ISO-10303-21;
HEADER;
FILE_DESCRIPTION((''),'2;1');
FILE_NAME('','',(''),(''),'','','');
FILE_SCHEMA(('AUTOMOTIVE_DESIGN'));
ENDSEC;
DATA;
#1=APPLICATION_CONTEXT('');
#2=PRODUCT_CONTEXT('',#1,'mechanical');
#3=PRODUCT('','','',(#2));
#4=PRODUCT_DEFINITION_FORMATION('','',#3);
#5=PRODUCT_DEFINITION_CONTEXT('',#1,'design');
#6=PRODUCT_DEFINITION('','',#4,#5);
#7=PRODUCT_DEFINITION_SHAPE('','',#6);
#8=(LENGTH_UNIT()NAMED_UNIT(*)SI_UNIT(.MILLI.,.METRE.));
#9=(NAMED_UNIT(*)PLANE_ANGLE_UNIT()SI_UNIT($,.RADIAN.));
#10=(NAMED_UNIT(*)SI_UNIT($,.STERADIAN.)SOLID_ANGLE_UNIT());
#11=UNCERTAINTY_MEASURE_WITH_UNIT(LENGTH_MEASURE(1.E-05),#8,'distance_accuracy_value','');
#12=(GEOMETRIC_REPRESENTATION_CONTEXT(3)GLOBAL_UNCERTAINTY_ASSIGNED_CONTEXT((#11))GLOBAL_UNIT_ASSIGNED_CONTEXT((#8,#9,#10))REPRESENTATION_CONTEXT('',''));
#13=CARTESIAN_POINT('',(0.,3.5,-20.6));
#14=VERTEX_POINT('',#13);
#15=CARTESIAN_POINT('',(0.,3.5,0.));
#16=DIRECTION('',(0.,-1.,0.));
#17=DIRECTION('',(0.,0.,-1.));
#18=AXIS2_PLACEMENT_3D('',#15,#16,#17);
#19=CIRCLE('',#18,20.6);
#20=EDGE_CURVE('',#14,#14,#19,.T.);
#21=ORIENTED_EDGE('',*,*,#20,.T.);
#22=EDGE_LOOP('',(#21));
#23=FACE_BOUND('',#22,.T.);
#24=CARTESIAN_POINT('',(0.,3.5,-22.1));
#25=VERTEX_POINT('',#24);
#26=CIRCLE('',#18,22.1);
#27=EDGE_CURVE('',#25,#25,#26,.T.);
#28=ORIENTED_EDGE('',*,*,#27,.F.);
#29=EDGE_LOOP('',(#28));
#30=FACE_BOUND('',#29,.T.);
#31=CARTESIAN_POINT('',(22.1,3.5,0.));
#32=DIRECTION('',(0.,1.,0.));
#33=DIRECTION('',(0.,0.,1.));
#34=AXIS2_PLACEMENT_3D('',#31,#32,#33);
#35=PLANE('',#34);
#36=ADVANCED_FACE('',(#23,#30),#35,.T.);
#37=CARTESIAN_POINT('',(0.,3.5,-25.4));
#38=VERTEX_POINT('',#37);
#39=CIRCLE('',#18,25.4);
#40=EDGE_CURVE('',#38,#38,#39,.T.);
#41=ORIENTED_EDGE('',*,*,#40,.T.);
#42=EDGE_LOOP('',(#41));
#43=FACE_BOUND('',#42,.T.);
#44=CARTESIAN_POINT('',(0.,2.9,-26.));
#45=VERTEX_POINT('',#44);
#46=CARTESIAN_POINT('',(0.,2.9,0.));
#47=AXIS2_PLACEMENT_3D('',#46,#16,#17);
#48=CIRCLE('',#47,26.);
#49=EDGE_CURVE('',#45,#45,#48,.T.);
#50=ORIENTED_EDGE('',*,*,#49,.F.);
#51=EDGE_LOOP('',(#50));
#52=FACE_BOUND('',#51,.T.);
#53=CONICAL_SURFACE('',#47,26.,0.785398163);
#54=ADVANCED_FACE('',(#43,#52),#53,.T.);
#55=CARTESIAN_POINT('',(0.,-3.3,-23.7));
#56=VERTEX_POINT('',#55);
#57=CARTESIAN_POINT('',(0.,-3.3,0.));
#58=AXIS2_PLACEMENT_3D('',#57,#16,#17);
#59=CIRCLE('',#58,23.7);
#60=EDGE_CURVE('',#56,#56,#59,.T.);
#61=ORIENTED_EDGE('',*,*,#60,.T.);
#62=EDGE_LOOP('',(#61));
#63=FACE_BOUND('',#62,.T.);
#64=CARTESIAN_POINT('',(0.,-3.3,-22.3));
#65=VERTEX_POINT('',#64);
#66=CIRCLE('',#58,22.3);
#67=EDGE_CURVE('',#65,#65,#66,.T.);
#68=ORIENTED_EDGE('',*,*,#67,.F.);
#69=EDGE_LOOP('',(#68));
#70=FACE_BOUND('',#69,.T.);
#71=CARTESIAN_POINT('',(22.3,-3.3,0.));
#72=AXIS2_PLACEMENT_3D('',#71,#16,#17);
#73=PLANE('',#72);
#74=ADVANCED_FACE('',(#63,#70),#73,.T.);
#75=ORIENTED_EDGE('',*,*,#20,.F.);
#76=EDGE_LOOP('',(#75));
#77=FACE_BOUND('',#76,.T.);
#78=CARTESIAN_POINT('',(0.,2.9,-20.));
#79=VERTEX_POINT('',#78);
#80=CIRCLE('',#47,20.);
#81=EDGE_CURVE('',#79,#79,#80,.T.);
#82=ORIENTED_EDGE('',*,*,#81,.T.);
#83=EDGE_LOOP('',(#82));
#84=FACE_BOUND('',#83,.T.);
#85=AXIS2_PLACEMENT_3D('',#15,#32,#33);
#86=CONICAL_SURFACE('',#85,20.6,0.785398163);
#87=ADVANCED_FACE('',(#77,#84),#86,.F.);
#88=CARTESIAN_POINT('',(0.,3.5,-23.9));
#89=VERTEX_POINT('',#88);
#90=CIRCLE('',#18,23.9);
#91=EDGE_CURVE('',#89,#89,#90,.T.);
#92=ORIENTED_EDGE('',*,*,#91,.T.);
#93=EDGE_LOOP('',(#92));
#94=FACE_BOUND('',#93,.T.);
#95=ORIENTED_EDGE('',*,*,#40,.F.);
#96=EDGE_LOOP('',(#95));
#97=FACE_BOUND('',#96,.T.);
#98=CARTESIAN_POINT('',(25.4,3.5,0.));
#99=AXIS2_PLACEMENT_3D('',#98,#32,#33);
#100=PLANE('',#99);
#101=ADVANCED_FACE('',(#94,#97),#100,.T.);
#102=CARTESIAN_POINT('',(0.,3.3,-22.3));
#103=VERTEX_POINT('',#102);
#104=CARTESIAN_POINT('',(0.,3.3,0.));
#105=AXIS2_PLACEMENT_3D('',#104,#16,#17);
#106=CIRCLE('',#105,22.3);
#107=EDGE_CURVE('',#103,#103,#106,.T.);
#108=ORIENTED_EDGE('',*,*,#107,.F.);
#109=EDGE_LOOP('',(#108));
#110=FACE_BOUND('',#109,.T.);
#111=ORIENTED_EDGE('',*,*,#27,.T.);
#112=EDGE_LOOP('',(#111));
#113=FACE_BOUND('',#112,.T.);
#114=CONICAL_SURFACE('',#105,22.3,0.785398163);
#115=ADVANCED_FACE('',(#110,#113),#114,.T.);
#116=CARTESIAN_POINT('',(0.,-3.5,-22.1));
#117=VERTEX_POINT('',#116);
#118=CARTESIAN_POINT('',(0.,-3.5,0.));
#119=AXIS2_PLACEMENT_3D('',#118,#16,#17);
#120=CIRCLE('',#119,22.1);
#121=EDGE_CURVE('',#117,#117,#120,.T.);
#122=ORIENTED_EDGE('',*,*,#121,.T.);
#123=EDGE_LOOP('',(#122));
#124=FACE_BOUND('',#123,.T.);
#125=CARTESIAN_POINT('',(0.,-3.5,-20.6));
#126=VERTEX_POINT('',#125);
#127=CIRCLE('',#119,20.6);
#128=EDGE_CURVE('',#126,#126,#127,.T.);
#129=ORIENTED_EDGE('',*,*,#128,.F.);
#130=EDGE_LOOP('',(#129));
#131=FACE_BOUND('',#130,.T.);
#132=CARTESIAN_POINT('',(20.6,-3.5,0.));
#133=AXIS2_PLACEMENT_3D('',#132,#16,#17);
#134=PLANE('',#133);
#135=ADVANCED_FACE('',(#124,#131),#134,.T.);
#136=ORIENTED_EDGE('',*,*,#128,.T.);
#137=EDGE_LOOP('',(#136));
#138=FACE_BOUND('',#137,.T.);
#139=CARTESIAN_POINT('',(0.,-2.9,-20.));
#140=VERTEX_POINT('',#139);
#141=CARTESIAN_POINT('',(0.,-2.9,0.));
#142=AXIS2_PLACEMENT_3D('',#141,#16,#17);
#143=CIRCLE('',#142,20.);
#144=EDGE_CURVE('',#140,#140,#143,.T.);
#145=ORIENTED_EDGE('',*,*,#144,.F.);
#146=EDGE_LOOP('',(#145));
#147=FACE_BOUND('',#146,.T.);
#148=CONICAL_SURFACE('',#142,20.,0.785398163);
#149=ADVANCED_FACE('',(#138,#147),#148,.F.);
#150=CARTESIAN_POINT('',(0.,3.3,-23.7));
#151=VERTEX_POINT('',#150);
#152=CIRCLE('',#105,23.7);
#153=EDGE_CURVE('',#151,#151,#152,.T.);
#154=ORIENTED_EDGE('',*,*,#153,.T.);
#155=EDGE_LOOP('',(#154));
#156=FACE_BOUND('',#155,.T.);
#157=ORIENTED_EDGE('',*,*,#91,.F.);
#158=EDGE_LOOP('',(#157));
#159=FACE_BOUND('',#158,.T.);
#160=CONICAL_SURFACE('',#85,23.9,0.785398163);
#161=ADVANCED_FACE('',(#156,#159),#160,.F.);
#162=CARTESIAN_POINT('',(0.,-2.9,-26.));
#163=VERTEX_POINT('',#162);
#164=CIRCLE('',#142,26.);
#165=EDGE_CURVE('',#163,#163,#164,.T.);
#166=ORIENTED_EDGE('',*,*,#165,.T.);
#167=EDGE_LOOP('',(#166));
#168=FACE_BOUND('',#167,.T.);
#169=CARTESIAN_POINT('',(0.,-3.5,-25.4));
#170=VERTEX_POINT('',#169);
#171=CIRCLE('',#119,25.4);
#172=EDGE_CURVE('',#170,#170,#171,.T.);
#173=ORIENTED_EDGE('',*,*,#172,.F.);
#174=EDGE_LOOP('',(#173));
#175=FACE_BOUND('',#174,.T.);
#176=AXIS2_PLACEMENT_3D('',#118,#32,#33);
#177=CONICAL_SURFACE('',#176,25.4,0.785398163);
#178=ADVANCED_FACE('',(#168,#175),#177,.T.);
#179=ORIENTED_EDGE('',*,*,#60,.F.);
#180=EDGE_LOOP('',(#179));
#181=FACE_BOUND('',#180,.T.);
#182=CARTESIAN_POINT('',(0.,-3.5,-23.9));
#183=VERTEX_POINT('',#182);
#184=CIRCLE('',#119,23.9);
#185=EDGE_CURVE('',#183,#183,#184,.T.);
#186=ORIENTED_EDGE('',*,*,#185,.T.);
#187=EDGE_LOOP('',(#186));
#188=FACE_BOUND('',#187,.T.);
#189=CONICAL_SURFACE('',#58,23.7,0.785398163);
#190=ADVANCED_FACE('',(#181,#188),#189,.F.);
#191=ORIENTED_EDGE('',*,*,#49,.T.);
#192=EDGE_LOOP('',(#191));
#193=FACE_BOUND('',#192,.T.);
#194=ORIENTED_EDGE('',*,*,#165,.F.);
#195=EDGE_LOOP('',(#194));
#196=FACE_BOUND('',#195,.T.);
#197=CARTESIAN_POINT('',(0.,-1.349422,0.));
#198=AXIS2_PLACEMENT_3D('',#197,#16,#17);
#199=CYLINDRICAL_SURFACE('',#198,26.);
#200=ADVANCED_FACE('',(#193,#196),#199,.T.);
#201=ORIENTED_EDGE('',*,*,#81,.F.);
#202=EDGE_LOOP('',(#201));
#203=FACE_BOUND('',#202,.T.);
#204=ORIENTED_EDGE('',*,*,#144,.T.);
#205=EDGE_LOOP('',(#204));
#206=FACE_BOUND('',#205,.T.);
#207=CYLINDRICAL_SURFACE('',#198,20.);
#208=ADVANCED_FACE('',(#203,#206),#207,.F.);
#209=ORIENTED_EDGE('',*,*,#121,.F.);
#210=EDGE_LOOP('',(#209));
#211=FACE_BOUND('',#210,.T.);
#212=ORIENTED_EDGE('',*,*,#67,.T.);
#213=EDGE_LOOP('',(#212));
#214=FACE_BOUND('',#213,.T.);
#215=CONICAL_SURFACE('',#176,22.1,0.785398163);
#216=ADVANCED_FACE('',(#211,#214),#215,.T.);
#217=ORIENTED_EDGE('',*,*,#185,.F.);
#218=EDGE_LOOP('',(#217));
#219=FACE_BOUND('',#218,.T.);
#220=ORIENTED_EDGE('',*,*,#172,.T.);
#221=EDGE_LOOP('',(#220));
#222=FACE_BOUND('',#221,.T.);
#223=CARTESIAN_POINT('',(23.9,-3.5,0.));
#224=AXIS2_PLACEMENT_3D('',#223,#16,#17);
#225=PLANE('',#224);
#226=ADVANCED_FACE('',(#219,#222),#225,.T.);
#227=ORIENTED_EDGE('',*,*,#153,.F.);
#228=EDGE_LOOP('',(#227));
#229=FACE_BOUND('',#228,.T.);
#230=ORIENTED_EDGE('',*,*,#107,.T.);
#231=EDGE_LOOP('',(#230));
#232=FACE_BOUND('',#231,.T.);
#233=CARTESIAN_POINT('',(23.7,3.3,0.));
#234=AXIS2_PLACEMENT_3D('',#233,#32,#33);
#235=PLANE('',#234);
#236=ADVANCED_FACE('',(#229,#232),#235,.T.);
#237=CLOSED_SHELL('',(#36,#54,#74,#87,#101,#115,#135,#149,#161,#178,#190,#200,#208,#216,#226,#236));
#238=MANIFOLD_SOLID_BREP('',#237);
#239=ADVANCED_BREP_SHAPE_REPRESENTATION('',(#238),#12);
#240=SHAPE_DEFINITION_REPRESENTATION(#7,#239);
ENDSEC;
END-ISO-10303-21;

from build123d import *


with BuildPart() as part:
    # Sketch1 → Revolve1 (revolve)
    with BuildSketch(Plane.XY):
        Polygon((20, 2.9), (20, -2.9), (20.6, -3.5), (22.1, -3.5), (22.3, -3.3), (23.7, -3.3), (23.9, -3.5), (25.4, -3.5), (26, -2.9), (26, 2.9), (25.4, 3.5), (23.9, 3.5), (23.7, 3.3), (22.3, 3.3), (22.1, 3.5), (20.6, 3.5), align=None)
    revolve(axis=Axis((0, -1.349421972, 0), (0, 1, 0)))


solid = part.part
